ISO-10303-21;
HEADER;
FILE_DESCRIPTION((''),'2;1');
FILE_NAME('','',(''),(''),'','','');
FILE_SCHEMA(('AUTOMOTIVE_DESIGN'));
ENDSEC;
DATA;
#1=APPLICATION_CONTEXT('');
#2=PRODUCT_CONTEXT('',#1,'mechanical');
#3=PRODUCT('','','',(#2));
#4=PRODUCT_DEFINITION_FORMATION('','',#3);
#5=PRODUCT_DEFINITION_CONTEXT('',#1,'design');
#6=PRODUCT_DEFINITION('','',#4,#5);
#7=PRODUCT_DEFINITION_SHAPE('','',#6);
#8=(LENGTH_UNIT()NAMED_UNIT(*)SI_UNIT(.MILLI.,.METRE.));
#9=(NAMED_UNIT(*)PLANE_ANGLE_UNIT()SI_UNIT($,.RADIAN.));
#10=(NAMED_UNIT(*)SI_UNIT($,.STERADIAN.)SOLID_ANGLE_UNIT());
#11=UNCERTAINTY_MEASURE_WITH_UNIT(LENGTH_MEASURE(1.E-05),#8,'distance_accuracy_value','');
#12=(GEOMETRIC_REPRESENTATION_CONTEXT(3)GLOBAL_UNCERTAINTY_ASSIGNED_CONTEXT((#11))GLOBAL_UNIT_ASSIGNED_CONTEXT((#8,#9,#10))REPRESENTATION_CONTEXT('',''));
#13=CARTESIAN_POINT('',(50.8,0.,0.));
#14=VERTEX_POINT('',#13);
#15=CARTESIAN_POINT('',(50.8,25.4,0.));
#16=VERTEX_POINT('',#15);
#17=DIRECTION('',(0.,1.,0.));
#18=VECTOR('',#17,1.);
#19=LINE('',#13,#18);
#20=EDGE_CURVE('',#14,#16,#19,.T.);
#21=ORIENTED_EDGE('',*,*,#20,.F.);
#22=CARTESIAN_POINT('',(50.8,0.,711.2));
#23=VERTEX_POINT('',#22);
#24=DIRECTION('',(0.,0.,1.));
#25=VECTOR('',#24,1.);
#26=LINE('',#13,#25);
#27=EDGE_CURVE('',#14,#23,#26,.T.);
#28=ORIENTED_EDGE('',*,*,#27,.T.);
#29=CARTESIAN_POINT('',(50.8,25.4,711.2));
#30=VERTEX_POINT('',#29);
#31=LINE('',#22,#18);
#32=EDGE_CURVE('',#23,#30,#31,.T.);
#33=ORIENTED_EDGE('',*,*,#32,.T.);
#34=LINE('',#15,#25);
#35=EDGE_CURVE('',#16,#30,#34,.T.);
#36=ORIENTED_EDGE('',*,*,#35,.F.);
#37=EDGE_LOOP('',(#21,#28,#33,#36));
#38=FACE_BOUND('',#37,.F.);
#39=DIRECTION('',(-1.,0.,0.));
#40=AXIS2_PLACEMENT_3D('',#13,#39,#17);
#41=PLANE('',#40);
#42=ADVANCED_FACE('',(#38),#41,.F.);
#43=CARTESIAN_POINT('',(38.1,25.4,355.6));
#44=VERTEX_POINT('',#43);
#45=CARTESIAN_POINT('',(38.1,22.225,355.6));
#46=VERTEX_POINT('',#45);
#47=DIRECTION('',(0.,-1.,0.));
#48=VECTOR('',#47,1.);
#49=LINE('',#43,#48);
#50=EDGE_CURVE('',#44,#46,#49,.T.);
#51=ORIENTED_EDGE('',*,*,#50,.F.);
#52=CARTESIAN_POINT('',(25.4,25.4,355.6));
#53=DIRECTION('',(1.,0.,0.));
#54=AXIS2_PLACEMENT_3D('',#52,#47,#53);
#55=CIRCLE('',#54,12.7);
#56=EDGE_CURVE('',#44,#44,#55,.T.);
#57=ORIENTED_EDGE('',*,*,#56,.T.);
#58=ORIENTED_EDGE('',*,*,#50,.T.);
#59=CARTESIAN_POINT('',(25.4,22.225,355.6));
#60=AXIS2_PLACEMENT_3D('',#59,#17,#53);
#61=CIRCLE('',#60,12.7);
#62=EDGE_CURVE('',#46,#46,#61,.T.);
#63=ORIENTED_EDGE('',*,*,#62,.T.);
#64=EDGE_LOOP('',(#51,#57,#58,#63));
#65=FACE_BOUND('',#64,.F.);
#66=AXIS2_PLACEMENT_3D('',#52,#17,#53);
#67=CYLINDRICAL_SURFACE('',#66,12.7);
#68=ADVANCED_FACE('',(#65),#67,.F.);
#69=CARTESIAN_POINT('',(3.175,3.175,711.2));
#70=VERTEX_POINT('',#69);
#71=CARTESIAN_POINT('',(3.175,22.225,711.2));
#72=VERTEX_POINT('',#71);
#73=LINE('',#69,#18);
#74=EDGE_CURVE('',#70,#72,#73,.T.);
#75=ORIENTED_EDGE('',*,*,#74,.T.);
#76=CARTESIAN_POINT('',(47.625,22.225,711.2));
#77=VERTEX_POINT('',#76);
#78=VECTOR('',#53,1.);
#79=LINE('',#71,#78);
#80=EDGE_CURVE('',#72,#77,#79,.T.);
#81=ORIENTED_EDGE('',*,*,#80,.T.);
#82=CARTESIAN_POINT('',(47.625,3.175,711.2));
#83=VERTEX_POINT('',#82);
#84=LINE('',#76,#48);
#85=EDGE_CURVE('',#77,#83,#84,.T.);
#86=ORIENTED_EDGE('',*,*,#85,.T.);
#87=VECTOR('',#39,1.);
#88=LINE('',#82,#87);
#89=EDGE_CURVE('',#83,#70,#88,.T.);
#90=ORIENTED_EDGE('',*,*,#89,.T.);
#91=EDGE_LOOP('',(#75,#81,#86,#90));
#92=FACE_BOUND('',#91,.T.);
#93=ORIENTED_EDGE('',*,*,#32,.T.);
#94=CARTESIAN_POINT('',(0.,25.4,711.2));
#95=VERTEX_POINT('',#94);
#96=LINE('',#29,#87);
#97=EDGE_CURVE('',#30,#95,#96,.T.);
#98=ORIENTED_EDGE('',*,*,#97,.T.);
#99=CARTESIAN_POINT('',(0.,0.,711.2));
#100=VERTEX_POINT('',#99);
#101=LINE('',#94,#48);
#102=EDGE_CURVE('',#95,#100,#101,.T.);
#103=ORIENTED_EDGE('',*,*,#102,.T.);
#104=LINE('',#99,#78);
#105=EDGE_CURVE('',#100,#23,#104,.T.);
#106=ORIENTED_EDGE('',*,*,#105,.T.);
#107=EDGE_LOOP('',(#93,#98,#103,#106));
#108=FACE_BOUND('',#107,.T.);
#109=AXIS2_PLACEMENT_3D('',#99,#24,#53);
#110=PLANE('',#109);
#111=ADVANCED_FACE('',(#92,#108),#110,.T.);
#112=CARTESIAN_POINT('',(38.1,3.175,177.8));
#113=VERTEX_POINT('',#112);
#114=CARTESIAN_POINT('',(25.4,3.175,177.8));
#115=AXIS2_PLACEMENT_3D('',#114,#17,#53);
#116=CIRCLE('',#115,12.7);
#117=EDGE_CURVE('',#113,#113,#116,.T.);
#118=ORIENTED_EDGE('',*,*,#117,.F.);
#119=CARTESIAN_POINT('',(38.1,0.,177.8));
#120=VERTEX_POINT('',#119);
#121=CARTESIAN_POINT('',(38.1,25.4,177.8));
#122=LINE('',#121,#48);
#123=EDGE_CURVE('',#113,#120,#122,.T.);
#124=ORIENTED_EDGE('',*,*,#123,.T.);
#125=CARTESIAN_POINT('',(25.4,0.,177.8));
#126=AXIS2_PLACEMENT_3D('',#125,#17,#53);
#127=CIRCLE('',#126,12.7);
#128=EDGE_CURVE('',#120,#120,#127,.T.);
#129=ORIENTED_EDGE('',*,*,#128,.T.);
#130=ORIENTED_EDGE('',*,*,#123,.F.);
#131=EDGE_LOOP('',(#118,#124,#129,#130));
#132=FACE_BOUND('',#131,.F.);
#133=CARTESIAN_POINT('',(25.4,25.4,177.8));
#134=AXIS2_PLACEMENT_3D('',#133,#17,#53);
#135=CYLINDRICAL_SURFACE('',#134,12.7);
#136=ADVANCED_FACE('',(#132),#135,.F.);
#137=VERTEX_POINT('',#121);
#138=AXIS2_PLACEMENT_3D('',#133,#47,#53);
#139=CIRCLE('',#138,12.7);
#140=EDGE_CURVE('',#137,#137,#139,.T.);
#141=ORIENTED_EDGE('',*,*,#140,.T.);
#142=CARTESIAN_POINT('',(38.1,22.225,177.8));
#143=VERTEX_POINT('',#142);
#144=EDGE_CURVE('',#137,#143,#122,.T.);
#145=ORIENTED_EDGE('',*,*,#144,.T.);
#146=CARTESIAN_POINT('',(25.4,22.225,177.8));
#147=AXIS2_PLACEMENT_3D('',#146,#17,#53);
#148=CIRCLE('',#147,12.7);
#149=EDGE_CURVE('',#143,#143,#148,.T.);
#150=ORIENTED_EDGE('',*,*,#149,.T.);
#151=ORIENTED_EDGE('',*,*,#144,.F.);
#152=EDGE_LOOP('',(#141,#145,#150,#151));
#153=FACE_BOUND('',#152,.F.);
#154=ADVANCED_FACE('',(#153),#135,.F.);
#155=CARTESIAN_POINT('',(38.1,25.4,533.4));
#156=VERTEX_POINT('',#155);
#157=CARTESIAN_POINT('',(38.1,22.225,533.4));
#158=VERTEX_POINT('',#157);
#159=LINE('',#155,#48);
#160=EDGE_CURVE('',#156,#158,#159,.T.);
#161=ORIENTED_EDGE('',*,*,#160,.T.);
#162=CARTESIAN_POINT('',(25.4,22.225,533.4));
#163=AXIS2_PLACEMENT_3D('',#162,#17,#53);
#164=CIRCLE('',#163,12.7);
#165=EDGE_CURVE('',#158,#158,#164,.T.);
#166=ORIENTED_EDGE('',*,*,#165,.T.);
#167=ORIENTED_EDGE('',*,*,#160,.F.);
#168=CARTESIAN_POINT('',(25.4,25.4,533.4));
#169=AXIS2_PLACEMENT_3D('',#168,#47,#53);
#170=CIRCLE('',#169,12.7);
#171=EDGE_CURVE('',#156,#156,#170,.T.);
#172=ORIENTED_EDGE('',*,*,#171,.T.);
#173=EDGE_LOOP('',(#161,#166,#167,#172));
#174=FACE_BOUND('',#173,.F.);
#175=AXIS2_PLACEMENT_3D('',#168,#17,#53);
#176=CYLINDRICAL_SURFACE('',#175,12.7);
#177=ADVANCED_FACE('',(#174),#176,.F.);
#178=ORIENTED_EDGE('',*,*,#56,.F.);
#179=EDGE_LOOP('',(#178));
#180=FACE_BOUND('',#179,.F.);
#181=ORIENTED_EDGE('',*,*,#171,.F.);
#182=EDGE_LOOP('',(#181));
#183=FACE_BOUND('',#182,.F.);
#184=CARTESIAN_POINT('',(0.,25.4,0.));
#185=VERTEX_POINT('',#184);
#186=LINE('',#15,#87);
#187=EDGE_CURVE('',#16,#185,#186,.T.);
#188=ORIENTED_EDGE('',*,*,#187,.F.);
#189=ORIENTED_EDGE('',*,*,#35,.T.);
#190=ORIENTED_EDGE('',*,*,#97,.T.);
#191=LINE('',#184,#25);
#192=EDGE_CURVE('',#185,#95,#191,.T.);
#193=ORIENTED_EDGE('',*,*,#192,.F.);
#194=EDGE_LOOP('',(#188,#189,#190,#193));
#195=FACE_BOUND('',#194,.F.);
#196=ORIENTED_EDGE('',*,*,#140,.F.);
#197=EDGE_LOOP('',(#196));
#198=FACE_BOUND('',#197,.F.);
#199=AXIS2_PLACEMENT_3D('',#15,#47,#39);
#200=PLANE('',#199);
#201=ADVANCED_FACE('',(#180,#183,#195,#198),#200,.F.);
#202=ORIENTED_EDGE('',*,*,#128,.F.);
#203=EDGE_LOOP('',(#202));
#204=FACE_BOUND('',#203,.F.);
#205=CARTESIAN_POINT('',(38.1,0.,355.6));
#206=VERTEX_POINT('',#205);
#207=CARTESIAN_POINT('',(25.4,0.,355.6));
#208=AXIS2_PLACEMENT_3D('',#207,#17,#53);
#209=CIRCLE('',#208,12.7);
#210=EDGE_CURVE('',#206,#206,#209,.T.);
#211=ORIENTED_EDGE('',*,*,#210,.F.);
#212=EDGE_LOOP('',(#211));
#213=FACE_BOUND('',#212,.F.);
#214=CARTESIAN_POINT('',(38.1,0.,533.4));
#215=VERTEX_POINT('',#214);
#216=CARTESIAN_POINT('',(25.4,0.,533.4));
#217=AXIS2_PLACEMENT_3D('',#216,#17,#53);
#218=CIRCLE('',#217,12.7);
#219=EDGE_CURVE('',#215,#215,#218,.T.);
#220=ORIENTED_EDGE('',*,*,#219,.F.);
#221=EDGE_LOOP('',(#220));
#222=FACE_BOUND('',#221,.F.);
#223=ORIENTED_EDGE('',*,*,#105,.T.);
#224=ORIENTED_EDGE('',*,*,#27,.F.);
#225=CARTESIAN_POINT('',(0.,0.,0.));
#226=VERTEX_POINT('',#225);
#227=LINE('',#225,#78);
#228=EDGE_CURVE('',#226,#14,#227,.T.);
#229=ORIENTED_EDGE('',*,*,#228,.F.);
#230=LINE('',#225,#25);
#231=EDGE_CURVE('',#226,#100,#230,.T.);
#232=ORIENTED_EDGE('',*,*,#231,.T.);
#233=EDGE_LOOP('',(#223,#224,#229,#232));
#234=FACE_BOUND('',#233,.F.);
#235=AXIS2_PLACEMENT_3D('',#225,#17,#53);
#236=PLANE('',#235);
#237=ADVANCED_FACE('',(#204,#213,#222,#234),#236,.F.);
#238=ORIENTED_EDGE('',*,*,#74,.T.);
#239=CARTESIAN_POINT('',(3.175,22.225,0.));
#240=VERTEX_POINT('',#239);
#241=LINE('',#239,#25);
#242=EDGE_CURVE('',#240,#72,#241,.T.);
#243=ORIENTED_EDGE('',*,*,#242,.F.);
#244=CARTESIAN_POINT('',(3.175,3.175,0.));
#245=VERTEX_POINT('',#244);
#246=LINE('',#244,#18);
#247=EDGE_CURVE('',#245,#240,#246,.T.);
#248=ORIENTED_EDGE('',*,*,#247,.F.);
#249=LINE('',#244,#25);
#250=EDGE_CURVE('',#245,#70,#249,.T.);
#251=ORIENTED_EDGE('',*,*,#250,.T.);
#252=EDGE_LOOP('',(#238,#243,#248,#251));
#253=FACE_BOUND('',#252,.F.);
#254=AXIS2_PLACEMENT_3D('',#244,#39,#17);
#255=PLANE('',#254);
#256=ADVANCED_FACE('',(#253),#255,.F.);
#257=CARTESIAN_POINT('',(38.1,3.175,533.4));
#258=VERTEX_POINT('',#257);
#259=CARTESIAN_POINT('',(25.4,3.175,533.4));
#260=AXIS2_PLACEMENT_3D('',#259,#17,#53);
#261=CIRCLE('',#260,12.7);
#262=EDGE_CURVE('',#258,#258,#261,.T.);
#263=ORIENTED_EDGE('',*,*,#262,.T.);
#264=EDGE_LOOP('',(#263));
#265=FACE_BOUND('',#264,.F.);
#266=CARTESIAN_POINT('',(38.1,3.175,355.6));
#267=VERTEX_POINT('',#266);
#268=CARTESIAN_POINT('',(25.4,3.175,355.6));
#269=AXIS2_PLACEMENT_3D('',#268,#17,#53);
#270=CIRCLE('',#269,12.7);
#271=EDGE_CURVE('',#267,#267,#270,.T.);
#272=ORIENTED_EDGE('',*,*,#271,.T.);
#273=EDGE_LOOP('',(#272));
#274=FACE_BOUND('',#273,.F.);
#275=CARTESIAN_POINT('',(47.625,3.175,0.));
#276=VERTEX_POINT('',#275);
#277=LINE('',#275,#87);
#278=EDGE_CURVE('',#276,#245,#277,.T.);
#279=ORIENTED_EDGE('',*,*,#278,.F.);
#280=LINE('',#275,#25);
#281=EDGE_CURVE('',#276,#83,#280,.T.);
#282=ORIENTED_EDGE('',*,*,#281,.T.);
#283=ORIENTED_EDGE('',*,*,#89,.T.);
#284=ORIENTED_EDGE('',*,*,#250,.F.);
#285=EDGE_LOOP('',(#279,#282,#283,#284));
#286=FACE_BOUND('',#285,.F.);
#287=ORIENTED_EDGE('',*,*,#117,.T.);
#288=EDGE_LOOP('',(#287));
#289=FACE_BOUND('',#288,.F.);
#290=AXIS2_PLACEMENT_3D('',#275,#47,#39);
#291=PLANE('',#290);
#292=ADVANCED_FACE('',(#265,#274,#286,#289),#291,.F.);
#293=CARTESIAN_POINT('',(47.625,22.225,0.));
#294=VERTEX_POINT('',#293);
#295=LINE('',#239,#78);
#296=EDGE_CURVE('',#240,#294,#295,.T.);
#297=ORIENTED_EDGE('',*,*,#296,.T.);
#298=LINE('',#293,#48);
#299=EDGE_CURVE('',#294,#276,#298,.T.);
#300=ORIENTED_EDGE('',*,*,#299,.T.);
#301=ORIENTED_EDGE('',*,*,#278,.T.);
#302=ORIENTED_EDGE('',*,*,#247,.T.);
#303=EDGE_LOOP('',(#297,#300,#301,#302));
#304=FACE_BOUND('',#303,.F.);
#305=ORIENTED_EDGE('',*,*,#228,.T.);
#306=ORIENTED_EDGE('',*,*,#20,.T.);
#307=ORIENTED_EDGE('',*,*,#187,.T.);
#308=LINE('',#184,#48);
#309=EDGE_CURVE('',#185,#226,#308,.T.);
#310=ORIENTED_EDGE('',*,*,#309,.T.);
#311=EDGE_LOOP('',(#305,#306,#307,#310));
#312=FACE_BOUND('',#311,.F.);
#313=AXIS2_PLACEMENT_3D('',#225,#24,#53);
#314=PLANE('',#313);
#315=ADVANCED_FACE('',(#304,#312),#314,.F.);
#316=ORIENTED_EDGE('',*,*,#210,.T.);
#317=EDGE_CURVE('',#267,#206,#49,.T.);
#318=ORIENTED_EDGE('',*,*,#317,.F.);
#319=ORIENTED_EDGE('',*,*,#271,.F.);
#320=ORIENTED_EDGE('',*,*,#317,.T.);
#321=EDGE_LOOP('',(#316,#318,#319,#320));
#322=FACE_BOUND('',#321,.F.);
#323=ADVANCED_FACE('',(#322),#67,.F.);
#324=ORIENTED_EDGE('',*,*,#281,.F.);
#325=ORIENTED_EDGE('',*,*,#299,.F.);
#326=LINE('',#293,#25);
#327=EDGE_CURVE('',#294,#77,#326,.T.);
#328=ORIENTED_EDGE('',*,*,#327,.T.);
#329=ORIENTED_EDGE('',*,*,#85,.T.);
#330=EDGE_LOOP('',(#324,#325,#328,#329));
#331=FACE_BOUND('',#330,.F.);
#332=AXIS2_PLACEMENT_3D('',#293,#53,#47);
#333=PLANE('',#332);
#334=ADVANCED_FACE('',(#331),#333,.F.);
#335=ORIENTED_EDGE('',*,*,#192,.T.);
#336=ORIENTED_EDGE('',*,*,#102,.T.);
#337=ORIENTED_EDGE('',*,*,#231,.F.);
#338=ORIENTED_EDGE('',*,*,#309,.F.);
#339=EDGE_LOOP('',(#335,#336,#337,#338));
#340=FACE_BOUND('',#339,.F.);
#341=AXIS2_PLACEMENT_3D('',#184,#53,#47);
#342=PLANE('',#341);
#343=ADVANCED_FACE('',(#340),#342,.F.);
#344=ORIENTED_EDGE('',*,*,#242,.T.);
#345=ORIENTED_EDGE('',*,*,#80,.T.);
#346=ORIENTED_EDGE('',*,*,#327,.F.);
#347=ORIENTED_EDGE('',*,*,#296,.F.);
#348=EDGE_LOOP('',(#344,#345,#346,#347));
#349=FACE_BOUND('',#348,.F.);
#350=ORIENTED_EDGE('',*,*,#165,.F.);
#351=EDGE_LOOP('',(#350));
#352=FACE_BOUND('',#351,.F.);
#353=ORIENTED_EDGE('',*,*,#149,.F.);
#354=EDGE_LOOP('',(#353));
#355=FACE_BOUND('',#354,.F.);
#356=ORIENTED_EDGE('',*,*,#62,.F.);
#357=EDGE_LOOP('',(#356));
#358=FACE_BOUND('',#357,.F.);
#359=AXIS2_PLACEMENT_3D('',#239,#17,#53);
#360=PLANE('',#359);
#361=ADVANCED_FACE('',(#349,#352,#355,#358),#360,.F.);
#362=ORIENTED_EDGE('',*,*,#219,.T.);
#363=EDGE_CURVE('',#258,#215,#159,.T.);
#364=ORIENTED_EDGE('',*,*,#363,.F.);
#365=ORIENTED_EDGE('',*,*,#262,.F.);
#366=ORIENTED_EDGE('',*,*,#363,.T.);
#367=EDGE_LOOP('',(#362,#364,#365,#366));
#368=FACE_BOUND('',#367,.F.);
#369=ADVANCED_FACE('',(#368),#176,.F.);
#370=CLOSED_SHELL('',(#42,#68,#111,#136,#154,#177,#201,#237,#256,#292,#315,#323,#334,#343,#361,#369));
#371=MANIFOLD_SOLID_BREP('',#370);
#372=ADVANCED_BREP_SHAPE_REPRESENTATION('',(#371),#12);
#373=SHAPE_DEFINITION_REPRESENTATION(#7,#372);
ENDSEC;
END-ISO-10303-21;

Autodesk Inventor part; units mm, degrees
ref_plane "YZ Plane" through (0, 0, 0) normal (1, 0, 0) x (0, 1, 0)
ref_plane "XZ Plane" through (0, 0, 0) normal (0, 1, 0) x (-1, 0, 0)
ref_plane "XY Plane" through (0, 0, 0) normal (0, 0, 1) x (1, 0, 0)
sketch "Sketch1" plane through (0, 0, 0) normal (0, 0, 1) x (1, 0, 0)
  line L0 (0, 0) -> (50.8, 0)
  line L1 (50.8, 0) -> (50.8, 25.4)
  line L2 (50.8, 25.4) -> (0, 25.4)
  line L3 (0, 25.4) -> (0, 0)
  line L4 (3.175, 22.225) -> (47.625, 22.225)
  line L5 (47.625, 22.225) -> (47.625, 3.175)
  line L6 (47.625, 3.175) -> (3.175, 3.175)
  line L7 (3.175, 3.175) -> (3.175, 22.225)
  dimension "d0" = 50.8
  dimension "d1" = 25.4
  dimension "d2" = 3.175
extrude "Extrusion1" add sketch "Sketch1" along normal blind 711.2
sketch "Sketch2" plane through (0, 25.4, 0) normal (0, 1, 0) x (1, 0, 0)
  line L0 (0, 0) -> (0, -711.2) projected
  line L1 (0, -355.6) -> (50.8, -355.6)
  line L2 (50.8, 0) -> (50.8, -711.2) projected
  line L3 (50.8, -711.2) -> (0, -711.2) projected
  line L4 (0, -355.6) -> (0, -711.2)
  line L5 (0, -533.4) -> (50.8, -533.4)
  line L6 (0, -355.6) -> (0, 0)
  line L7 (0, -177.8) -> (50.8, -177.8)
  circle A0 centre (25.4, -533.4) radius 12.7
  circle A1 centre (25.4, -355.6) radius 12.7
  circle A2 centre (25.4, -177.8) radius 12.7
  dimension "d5" = 25.4
extrude "Extrusion2" cut sketch "Sketch2" against normal blind 25.4 contours A2 L7 | L7 A2 | A1 L1 | L1 A1 | A0 L5 | L5 A0
properties part number "1x2x28"
